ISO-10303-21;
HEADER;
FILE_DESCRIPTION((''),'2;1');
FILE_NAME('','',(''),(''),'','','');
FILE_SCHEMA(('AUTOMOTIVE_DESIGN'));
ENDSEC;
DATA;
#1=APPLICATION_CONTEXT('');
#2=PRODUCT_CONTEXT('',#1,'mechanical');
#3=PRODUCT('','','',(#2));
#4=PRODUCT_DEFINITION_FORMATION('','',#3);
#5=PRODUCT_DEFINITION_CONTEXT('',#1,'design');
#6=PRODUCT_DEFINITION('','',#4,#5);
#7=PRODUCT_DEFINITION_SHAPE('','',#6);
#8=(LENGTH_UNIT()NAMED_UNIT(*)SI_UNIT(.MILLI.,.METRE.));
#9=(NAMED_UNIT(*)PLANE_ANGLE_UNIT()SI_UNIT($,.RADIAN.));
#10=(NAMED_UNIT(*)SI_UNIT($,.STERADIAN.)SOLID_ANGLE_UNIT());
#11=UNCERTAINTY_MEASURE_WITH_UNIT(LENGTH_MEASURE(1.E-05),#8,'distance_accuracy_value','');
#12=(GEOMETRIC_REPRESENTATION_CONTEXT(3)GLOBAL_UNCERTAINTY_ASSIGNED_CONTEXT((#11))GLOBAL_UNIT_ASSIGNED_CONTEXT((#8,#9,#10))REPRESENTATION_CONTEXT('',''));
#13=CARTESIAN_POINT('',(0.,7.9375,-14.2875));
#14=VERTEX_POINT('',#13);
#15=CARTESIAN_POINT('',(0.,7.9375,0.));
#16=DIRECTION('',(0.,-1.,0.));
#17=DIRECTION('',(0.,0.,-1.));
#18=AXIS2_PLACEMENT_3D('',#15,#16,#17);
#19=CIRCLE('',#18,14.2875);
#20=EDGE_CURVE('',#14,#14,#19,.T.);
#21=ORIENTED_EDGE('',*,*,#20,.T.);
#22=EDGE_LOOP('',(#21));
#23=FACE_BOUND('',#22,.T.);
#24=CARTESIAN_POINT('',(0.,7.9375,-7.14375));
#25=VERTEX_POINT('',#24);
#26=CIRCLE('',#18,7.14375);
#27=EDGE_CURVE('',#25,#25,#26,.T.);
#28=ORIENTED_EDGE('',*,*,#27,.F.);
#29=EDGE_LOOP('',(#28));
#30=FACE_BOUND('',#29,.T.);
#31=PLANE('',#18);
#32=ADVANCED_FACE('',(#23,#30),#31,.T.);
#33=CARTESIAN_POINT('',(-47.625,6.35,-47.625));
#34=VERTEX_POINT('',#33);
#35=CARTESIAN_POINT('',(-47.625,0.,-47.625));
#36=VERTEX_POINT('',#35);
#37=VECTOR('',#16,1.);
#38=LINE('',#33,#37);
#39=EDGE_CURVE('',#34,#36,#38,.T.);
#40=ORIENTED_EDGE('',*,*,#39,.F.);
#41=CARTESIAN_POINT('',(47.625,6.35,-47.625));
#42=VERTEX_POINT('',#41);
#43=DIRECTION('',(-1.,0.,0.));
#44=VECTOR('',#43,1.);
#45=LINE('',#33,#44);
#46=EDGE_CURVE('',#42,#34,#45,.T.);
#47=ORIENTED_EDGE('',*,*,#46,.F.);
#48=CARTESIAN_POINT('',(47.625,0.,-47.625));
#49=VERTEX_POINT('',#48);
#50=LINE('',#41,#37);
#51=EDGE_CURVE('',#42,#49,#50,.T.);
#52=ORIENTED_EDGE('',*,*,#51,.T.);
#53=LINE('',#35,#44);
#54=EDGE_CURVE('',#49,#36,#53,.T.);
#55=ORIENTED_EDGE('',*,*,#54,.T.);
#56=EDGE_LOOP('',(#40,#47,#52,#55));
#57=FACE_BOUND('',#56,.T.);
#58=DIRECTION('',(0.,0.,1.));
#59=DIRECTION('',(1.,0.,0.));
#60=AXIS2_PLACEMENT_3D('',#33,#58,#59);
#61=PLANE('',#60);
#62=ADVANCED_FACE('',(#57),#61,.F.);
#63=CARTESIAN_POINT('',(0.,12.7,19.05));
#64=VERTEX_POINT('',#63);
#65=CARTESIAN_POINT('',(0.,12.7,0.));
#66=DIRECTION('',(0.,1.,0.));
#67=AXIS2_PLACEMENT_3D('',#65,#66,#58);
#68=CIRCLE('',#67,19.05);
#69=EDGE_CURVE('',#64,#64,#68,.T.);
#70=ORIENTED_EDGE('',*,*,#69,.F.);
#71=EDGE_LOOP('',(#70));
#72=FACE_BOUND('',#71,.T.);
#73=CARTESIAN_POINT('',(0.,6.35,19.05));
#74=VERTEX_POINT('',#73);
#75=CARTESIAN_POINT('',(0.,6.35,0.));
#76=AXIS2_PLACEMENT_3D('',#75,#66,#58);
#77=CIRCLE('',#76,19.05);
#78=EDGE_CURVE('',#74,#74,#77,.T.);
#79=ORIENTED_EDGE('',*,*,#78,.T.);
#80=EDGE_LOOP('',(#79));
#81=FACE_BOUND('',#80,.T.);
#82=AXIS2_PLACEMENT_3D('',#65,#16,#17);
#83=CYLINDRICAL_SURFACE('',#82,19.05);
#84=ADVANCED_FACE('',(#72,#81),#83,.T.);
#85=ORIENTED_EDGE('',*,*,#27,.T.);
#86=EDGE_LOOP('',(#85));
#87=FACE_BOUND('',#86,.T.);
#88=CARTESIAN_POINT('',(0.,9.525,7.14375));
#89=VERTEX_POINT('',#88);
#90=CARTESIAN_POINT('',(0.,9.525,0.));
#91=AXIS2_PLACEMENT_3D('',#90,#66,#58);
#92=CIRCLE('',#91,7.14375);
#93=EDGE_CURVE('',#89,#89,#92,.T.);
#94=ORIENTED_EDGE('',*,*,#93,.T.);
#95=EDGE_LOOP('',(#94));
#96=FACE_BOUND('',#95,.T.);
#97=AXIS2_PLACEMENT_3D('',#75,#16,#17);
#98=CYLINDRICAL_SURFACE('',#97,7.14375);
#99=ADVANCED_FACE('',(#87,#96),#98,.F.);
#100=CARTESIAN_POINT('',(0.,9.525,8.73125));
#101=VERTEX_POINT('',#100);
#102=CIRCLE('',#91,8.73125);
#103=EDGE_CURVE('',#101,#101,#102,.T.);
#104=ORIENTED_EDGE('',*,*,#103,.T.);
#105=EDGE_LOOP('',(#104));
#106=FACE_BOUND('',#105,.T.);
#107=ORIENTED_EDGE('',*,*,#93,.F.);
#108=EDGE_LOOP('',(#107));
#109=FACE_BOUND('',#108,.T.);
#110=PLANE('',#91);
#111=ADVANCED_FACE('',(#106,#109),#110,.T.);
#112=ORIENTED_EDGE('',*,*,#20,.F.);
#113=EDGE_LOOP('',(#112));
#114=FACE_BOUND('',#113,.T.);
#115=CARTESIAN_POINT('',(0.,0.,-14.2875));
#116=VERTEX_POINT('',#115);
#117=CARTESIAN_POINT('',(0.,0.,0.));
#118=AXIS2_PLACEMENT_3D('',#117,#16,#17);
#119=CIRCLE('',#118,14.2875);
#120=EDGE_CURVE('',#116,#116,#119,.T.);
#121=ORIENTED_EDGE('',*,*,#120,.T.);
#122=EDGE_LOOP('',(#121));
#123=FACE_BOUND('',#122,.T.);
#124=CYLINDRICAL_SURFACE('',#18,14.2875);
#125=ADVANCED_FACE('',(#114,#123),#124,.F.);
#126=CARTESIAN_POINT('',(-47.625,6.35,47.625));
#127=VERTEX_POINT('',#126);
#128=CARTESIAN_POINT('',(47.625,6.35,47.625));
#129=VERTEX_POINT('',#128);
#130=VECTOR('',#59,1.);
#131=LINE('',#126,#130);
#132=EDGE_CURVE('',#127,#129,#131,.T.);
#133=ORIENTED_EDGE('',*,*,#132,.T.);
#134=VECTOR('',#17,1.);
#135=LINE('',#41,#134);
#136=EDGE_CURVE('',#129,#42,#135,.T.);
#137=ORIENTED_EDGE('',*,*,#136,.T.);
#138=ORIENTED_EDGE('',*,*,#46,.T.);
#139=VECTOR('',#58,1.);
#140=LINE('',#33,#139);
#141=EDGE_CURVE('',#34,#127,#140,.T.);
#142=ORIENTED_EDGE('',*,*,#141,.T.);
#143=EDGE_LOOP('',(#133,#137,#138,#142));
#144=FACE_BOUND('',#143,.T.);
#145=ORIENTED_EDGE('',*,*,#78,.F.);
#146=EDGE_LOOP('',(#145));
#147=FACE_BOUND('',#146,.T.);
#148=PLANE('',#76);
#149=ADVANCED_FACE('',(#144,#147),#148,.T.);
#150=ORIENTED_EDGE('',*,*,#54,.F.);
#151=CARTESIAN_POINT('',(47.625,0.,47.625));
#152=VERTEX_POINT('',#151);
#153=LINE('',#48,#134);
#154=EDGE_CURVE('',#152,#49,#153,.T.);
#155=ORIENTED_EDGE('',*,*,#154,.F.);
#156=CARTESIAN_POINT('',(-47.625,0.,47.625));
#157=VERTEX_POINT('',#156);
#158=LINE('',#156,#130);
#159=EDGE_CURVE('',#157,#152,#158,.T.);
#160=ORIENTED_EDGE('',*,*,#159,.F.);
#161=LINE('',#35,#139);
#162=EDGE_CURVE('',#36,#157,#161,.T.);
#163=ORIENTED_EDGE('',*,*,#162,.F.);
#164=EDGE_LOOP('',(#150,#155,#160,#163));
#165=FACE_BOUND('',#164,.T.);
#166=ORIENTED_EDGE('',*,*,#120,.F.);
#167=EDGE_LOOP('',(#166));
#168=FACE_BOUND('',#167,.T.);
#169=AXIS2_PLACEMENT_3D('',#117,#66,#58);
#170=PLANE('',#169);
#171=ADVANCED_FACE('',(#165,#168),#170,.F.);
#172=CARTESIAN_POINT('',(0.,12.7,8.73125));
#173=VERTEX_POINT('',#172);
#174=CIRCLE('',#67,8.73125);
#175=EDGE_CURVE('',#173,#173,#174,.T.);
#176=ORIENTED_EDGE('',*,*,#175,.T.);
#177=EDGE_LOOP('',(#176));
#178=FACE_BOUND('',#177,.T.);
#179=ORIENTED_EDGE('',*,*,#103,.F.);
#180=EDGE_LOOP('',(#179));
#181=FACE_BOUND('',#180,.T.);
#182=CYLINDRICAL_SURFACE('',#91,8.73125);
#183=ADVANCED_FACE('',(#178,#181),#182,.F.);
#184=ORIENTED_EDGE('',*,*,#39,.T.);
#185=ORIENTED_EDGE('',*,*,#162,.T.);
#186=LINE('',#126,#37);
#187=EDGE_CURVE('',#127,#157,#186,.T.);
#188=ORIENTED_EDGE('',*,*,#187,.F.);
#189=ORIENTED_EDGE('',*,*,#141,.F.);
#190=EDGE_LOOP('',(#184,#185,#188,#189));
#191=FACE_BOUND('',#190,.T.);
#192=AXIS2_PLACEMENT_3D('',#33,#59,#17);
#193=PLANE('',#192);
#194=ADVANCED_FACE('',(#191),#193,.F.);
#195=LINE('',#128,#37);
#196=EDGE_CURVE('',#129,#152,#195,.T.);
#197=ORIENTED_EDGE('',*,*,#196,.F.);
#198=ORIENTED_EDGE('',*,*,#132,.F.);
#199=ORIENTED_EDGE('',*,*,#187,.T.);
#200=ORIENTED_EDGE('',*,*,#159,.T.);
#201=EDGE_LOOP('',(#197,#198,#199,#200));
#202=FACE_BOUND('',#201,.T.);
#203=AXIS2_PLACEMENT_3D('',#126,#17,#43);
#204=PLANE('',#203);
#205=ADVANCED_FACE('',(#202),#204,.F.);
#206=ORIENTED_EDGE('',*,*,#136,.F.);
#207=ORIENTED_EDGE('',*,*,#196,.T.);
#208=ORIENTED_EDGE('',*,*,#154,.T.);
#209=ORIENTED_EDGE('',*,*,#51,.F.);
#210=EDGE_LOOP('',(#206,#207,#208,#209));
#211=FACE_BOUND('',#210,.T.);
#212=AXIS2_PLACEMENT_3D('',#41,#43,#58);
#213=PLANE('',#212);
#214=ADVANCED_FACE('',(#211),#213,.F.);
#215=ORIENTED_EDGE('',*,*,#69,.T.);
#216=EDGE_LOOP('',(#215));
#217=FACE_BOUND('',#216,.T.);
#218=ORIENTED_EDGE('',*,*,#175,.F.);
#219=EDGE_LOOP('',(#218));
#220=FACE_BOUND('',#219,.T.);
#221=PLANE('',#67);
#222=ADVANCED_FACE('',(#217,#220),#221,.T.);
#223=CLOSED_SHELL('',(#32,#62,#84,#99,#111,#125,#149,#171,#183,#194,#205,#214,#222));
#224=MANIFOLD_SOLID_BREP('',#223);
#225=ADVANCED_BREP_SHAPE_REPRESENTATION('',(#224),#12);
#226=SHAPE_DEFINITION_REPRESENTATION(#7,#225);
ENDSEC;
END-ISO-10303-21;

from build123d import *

# Parameters (mm, degrees)
SKETCH1_W           = 95.25
SKETCH1_H           = 95.25
SKETCH1_R           = 7.14375
BOSS_EXTRUDE1_DEPTH = 6.35
SKETCH3_R           = 19.05
SKETCH3_R_2         = 7.14375
BOSS_EXTRUDE2_DEPTH = 6.35
SKETCH2_R           = 14.2875
CUT_EXTRUDE1_DEPTH  = 7.9375
SKETCH4_R           = 8.73125
CUT_EXTRUDE2_DEPTH  = 3.175


with BuildPart() as part:
    # Sketch1 → Boss-Extrude1 (new body)
    with BuildSketch(Plane(origin=(0, 0, 0), x_dir=(1, 0, 0), z_dir=(0, 1, 0))):
        Rectangle(SKETCH1_W, SKETCH1_H)
        Circle(SKETCH1_R, mode=Mode.SUBTRACT)
    extrude(amount=BOSS_EXTRUDE1_DEPTH)

    # Sketch3 → Boss-Extrude2 (add)
    with BuildSketch(Plane(origin=(0, 6.35, 0), x_dir=(1, 0, 0), z_dir=(0, 1, 0))):
        Circle(SKETCH3_R)
        Circle(SKETCH3_R_2, mode=Mode.SUBTRACT)
    extrude(amount=BOSS_EXTRUDE2_DEPTH)

    # Sketch2 → Cut-Extrude1 (cut)
    with BuildSketch(Plane.XZ):
        Circle(SKETCH2_R)
    extrude(amount=-CUT_EXTRUDE1_DEPTH, mode=Mode.SUBTRACT)

    # Sketch4 → Cut-Extrude2 (cut)
    with BuildSketch(Plane(origin=(0, 12.7, 0), x_dir=(1, 0, 0), z_dir=(0, 1, 0))):
        Circle(SKETCH4_R)
    extrude(amount=-CUT_EXTRUDE2_DEPTH, mode=Mode.SUBTRACT)


solid = part.part
